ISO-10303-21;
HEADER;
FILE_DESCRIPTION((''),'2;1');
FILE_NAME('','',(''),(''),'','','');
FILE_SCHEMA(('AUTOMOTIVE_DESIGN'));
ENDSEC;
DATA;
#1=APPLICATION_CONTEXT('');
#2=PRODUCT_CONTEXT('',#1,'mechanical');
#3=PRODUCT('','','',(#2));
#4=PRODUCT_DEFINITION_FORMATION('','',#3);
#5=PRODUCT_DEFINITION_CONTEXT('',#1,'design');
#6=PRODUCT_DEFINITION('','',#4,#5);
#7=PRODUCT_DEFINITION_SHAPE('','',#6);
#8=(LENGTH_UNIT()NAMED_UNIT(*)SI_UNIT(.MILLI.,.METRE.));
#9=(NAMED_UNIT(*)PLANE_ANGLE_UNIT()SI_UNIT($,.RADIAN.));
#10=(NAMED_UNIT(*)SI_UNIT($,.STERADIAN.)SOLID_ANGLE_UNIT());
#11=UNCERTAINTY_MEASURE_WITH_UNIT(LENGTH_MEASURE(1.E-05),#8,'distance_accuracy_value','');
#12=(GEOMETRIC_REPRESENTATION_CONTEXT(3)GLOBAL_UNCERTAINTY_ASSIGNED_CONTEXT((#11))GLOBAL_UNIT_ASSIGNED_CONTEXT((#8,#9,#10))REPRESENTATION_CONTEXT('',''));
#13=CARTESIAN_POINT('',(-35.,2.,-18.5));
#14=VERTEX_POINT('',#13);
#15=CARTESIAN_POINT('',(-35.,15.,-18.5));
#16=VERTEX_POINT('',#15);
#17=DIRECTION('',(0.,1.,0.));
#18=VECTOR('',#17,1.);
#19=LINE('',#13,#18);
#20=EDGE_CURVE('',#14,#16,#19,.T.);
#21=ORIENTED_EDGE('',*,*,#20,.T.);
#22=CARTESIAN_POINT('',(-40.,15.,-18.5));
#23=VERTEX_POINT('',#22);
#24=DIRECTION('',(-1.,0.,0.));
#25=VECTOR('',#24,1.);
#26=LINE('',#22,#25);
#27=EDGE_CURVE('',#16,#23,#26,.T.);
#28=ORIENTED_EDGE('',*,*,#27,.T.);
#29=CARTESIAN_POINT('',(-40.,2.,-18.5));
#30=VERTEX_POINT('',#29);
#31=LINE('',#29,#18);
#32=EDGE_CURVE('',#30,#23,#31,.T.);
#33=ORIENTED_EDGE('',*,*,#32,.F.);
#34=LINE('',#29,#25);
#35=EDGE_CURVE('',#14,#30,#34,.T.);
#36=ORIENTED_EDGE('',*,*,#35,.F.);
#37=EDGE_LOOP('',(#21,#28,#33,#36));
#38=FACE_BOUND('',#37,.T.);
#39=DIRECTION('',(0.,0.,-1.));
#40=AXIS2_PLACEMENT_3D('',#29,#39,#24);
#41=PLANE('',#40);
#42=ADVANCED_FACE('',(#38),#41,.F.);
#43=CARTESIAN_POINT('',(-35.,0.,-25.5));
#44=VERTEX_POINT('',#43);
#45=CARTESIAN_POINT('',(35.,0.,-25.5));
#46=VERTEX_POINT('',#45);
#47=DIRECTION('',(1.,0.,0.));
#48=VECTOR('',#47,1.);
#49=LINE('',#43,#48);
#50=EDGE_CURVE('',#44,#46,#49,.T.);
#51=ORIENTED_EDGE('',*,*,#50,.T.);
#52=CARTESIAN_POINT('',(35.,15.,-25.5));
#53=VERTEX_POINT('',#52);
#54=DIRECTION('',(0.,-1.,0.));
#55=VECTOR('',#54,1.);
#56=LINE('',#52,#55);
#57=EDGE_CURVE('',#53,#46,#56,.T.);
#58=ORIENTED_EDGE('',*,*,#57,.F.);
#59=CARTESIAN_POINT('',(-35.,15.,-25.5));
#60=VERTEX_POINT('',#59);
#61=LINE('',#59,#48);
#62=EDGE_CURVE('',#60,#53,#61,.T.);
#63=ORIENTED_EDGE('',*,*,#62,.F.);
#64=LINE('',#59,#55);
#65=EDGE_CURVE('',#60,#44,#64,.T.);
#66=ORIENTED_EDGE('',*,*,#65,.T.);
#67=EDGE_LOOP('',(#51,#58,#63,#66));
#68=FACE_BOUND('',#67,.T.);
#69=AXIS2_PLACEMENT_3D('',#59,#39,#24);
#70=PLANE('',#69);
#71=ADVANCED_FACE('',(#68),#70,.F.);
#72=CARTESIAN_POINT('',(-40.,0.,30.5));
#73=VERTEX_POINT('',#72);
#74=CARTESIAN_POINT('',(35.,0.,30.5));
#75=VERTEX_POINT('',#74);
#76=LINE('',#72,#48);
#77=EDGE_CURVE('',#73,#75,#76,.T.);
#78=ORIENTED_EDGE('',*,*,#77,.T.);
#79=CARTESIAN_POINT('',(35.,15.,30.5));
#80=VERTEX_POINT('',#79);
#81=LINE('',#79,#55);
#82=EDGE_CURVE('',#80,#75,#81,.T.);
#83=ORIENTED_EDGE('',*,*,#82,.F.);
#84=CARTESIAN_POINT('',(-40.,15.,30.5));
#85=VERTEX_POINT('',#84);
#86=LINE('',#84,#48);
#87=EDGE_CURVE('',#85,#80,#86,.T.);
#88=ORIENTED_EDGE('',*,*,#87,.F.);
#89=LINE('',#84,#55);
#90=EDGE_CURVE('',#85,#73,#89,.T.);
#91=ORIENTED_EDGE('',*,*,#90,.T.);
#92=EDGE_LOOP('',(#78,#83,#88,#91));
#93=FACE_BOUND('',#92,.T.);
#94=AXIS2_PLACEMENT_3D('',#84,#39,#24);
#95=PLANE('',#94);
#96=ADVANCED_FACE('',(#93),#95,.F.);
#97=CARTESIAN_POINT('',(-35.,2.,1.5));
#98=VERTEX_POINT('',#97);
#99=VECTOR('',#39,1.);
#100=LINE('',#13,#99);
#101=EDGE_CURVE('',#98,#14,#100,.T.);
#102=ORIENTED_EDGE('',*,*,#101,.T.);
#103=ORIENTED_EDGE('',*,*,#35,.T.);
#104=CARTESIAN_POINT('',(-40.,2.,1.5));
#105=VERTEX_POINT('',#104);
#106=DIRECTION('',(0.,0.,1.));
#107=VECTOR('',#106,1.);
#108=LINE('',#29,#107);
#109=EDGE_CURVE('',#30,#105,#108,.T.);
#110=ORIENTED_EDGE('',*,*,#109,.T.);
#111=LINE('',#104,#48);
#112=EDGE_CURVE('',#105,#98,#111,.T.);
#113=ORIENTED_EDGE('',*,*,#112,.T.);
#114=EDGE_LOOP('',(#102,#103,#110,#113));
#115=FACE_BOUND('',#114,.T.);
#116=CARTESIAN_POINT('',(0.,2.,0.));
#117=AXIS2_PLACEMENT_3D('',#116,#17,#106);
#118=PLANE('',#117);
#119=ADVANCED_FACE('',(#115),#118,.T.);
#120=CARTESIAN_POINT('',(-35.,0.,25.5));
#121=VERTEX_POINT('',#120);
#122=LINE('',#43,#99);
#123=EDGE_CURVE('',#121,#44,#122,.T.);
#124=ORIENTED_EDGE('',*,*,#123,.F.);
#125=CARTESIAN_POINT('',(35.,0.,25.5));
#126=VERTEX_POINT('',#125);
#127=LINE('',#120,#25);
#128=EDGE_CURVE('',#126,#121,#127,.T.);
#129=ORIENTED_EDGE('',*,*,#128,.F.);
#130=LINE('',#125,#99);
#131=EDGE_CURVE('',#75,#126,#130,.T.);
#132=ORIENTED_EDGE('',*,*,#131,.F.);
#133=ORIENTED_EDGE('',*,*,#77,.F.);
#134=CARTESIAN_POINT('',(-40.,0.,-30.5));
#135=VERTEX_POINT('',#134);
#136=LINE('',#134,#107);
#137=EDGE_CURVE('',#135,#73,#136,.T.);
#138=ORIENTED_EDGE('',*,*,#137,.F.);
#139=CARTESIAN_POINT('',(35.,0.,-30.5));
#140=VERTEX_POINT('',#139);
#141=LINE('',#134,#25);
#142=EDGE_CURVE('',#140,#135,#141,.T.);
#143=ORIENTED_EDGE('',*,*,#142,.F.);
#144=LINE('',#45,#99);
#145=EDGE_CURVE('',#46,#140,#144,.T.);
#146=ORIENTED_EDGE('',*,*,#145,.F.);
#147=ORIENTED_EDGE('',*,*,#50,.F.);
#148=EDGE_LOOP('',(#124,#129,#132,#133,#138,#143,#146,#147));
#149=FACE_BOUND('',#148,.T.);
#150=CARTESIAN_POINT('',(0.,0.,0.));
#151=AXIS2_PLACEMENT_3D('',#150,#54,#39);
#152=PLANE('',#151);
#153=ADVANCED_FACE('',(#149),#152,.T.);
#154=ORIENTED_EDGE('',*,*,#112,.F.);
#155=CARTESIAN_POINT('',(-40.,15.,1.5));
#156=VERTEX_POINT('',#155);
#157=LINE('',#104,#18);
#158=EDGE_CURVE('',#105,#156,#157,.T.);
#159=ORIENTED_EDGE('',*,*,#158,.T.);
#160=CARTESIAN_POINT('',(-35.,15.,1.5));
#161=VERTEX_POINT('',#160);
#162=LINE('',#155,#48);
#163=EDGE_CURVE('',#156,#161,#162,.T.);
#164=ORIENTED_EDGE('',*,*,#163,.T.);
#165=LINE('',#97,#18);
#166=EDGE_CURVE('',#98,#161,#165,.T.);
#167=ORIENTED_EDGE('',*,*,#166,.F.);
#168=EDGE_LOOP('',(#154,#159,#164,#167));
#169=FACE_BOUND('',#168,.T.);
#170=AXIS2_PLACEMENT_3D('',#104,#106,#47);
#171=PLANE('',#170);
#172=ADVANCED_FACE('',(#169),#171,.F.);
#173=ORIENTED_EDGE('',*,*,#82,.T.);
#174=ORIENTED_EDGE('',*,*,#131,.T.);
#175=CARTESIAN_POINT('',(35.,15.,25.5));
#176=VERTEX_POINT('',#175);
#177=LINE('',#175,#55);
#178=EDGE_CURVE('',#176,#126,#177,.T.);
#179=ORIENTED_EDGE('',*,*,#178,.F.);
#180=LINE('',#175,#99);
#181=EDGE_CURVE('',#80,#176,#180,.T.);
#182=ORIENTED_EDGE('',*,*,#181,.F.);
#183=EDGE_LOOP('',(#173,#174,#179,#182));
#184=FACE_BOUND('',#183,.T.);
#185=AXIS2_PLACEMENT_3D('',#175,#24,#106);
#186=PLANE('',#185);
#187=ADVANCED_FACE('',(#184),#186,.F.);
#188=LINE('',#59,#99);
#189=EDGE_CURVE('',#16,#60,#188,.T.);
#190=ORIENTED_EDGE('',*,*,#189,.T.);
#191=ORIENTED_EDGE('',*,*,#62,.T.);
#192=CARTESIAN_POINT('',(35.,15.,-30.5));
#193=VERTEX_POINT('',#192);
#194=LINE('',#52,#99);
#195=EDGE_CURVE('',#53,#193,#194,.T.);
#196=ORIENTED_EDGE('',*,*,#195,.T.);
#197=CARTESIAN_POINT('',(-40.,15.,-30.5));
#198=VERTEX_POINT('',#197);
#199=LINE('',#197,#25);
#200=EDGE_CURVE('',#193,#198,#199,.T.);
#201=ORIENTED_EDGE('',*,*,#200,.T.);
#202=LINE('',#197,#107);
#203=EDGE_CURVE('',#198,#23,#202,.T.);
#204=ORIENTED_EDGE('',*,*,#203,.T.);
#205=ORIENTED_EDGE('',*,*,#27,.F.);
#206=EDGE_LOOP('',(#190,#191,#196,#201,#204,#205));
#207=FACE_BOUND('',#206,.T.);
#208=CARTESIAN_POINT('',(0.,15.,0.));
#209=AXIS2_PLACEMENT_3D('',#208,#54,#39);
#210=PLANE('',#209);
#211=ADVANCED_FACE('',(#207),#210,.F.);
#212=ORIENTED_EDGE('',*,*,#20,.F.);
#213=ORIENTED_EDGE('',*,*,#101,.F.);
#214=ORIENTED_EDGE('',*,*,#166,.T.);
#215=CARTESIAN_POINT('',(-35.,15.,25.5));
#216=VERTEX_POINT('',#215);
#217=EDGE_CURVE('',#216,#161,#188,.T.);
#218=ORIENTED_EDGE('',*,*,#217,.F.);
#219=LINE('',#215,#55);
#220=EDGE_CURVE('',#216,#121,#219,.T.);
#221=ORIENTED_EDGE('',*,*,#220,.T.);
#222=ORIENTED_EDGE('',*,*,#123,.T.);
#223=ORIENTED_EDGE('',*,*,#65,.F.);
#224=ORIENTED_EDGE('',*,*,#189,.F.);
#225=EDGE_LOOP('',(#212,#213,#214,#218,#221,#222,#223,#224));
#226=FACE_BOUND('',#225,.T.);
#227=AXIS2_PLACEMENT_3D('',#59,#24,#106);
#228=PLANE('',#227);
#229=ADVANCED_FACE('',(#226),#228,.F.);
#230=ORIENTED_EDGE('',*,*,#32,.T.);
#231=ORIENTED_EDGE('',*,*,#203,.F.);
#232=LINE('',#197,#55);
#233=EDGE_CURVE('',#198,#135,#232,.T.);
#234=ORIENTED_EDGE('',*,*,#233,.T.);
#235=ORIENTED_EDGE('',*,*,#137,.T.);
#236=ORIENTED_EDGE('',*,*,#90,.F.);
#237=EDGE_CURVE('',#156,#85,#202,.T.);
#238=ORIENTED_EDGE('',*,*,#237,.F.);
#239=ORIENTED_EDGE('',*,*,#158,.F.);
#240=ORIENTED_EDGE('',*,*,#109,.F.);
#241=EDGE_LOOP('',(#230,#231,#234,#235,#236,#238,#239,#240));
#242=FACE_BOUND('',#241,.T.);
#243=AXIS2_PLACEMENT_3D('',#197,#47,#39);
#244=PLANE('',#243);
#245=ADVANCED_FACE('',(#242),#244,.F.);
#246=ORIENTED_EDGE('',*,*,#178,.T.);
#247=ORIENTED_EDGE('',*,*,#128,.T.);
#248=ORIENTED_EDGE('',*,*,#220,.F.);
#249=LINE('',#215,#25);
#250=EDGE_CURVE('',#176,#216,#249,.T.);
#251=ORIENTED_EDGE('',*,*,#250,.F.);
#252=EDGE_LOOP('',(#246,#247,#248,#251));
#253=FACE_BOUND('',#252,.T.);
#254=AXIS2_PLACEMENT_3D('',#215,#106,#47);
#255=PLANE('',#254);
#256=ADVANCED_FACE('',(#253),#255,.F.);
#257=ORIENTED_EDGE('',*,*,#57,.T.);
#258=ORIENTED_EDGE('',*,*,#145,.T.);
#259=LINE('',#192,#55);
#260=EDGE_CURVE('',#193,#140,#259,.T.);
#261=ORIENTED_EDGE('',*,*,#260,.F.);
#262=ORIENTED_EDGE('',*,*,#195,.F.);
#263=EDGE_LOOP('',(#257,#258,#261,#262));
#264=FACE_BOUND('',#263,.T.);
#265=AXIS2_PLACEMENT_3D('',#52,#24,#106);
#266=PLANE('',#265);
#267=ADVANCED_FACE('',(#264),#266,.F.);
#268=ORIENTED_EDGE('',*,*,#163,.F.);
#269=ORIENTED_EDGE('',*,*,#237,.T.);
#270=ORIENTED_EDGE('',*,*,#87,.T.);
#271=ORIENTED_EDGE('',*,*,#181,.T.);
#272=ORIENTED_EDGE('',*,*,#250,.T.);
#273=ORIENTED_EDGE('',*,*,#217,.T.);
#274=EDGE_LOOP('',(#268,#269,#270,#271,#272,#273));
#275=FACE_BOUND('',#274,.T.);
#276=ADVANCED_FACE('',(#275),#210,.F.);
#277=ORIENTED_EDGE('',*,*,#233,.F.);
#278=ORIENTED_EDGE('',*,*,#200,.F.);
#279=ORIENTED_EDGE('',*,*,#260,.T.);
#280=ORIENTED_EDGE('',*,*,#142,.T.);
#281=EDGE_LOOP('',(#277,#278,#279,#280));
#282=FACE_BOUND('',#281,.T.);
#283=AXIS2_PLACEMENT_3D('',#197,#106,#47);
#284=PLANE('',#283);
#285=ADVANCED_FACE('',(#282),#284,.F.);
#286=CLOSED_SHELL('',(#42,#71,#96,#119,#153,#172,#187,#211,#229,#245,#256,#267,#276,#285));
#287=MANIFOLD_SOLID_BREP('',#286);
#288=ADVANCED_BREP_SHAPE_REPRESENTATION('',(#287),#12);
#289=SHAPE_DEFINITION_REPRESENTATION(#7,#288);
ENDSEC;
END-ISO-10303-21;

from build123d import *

# Parameters (mm, degrees)
BOSS_EXTRUDE1_DEPTH = 15
SKETCH2_W           = 5
SKETCH2_H           = 20
CUT_EXTRUDE1_DEPTH  = 13


with BuildPart() as part:
    # Sketch1 → Boss-Extrude1 (new body)
    with BuildSketch(Plane(origin=(0, 0, 0), x_dir=(1, 0, 0), z_dir=(0, 1, 0))):
        Polygon((35, -25.5), (35, -30.5), (-40, -30.5), (-40, 30.5), (35, 30.5), (35, 25.5), (-35, 25.5), (-35, -25.5), align=None)
    extrude(amount=BOSS_EXTRUDE1_DEPTH)

    # Sketch2 → Cut-Extrude1 (cut)
    with BuildSketch(Plane(origin=(0, 15, 0), x_dir=(1, 0, 0), z_dir=(0, 1, 0))):
        with Locations((-37.5, 8.5)):
            Rectangle(SKETCH2_W, SKETCH2_H)
    extrude(amount=-CUT_EXTRUDE1_DEPTH, mode=Mode.SUBTRACT)


solid = part.part
